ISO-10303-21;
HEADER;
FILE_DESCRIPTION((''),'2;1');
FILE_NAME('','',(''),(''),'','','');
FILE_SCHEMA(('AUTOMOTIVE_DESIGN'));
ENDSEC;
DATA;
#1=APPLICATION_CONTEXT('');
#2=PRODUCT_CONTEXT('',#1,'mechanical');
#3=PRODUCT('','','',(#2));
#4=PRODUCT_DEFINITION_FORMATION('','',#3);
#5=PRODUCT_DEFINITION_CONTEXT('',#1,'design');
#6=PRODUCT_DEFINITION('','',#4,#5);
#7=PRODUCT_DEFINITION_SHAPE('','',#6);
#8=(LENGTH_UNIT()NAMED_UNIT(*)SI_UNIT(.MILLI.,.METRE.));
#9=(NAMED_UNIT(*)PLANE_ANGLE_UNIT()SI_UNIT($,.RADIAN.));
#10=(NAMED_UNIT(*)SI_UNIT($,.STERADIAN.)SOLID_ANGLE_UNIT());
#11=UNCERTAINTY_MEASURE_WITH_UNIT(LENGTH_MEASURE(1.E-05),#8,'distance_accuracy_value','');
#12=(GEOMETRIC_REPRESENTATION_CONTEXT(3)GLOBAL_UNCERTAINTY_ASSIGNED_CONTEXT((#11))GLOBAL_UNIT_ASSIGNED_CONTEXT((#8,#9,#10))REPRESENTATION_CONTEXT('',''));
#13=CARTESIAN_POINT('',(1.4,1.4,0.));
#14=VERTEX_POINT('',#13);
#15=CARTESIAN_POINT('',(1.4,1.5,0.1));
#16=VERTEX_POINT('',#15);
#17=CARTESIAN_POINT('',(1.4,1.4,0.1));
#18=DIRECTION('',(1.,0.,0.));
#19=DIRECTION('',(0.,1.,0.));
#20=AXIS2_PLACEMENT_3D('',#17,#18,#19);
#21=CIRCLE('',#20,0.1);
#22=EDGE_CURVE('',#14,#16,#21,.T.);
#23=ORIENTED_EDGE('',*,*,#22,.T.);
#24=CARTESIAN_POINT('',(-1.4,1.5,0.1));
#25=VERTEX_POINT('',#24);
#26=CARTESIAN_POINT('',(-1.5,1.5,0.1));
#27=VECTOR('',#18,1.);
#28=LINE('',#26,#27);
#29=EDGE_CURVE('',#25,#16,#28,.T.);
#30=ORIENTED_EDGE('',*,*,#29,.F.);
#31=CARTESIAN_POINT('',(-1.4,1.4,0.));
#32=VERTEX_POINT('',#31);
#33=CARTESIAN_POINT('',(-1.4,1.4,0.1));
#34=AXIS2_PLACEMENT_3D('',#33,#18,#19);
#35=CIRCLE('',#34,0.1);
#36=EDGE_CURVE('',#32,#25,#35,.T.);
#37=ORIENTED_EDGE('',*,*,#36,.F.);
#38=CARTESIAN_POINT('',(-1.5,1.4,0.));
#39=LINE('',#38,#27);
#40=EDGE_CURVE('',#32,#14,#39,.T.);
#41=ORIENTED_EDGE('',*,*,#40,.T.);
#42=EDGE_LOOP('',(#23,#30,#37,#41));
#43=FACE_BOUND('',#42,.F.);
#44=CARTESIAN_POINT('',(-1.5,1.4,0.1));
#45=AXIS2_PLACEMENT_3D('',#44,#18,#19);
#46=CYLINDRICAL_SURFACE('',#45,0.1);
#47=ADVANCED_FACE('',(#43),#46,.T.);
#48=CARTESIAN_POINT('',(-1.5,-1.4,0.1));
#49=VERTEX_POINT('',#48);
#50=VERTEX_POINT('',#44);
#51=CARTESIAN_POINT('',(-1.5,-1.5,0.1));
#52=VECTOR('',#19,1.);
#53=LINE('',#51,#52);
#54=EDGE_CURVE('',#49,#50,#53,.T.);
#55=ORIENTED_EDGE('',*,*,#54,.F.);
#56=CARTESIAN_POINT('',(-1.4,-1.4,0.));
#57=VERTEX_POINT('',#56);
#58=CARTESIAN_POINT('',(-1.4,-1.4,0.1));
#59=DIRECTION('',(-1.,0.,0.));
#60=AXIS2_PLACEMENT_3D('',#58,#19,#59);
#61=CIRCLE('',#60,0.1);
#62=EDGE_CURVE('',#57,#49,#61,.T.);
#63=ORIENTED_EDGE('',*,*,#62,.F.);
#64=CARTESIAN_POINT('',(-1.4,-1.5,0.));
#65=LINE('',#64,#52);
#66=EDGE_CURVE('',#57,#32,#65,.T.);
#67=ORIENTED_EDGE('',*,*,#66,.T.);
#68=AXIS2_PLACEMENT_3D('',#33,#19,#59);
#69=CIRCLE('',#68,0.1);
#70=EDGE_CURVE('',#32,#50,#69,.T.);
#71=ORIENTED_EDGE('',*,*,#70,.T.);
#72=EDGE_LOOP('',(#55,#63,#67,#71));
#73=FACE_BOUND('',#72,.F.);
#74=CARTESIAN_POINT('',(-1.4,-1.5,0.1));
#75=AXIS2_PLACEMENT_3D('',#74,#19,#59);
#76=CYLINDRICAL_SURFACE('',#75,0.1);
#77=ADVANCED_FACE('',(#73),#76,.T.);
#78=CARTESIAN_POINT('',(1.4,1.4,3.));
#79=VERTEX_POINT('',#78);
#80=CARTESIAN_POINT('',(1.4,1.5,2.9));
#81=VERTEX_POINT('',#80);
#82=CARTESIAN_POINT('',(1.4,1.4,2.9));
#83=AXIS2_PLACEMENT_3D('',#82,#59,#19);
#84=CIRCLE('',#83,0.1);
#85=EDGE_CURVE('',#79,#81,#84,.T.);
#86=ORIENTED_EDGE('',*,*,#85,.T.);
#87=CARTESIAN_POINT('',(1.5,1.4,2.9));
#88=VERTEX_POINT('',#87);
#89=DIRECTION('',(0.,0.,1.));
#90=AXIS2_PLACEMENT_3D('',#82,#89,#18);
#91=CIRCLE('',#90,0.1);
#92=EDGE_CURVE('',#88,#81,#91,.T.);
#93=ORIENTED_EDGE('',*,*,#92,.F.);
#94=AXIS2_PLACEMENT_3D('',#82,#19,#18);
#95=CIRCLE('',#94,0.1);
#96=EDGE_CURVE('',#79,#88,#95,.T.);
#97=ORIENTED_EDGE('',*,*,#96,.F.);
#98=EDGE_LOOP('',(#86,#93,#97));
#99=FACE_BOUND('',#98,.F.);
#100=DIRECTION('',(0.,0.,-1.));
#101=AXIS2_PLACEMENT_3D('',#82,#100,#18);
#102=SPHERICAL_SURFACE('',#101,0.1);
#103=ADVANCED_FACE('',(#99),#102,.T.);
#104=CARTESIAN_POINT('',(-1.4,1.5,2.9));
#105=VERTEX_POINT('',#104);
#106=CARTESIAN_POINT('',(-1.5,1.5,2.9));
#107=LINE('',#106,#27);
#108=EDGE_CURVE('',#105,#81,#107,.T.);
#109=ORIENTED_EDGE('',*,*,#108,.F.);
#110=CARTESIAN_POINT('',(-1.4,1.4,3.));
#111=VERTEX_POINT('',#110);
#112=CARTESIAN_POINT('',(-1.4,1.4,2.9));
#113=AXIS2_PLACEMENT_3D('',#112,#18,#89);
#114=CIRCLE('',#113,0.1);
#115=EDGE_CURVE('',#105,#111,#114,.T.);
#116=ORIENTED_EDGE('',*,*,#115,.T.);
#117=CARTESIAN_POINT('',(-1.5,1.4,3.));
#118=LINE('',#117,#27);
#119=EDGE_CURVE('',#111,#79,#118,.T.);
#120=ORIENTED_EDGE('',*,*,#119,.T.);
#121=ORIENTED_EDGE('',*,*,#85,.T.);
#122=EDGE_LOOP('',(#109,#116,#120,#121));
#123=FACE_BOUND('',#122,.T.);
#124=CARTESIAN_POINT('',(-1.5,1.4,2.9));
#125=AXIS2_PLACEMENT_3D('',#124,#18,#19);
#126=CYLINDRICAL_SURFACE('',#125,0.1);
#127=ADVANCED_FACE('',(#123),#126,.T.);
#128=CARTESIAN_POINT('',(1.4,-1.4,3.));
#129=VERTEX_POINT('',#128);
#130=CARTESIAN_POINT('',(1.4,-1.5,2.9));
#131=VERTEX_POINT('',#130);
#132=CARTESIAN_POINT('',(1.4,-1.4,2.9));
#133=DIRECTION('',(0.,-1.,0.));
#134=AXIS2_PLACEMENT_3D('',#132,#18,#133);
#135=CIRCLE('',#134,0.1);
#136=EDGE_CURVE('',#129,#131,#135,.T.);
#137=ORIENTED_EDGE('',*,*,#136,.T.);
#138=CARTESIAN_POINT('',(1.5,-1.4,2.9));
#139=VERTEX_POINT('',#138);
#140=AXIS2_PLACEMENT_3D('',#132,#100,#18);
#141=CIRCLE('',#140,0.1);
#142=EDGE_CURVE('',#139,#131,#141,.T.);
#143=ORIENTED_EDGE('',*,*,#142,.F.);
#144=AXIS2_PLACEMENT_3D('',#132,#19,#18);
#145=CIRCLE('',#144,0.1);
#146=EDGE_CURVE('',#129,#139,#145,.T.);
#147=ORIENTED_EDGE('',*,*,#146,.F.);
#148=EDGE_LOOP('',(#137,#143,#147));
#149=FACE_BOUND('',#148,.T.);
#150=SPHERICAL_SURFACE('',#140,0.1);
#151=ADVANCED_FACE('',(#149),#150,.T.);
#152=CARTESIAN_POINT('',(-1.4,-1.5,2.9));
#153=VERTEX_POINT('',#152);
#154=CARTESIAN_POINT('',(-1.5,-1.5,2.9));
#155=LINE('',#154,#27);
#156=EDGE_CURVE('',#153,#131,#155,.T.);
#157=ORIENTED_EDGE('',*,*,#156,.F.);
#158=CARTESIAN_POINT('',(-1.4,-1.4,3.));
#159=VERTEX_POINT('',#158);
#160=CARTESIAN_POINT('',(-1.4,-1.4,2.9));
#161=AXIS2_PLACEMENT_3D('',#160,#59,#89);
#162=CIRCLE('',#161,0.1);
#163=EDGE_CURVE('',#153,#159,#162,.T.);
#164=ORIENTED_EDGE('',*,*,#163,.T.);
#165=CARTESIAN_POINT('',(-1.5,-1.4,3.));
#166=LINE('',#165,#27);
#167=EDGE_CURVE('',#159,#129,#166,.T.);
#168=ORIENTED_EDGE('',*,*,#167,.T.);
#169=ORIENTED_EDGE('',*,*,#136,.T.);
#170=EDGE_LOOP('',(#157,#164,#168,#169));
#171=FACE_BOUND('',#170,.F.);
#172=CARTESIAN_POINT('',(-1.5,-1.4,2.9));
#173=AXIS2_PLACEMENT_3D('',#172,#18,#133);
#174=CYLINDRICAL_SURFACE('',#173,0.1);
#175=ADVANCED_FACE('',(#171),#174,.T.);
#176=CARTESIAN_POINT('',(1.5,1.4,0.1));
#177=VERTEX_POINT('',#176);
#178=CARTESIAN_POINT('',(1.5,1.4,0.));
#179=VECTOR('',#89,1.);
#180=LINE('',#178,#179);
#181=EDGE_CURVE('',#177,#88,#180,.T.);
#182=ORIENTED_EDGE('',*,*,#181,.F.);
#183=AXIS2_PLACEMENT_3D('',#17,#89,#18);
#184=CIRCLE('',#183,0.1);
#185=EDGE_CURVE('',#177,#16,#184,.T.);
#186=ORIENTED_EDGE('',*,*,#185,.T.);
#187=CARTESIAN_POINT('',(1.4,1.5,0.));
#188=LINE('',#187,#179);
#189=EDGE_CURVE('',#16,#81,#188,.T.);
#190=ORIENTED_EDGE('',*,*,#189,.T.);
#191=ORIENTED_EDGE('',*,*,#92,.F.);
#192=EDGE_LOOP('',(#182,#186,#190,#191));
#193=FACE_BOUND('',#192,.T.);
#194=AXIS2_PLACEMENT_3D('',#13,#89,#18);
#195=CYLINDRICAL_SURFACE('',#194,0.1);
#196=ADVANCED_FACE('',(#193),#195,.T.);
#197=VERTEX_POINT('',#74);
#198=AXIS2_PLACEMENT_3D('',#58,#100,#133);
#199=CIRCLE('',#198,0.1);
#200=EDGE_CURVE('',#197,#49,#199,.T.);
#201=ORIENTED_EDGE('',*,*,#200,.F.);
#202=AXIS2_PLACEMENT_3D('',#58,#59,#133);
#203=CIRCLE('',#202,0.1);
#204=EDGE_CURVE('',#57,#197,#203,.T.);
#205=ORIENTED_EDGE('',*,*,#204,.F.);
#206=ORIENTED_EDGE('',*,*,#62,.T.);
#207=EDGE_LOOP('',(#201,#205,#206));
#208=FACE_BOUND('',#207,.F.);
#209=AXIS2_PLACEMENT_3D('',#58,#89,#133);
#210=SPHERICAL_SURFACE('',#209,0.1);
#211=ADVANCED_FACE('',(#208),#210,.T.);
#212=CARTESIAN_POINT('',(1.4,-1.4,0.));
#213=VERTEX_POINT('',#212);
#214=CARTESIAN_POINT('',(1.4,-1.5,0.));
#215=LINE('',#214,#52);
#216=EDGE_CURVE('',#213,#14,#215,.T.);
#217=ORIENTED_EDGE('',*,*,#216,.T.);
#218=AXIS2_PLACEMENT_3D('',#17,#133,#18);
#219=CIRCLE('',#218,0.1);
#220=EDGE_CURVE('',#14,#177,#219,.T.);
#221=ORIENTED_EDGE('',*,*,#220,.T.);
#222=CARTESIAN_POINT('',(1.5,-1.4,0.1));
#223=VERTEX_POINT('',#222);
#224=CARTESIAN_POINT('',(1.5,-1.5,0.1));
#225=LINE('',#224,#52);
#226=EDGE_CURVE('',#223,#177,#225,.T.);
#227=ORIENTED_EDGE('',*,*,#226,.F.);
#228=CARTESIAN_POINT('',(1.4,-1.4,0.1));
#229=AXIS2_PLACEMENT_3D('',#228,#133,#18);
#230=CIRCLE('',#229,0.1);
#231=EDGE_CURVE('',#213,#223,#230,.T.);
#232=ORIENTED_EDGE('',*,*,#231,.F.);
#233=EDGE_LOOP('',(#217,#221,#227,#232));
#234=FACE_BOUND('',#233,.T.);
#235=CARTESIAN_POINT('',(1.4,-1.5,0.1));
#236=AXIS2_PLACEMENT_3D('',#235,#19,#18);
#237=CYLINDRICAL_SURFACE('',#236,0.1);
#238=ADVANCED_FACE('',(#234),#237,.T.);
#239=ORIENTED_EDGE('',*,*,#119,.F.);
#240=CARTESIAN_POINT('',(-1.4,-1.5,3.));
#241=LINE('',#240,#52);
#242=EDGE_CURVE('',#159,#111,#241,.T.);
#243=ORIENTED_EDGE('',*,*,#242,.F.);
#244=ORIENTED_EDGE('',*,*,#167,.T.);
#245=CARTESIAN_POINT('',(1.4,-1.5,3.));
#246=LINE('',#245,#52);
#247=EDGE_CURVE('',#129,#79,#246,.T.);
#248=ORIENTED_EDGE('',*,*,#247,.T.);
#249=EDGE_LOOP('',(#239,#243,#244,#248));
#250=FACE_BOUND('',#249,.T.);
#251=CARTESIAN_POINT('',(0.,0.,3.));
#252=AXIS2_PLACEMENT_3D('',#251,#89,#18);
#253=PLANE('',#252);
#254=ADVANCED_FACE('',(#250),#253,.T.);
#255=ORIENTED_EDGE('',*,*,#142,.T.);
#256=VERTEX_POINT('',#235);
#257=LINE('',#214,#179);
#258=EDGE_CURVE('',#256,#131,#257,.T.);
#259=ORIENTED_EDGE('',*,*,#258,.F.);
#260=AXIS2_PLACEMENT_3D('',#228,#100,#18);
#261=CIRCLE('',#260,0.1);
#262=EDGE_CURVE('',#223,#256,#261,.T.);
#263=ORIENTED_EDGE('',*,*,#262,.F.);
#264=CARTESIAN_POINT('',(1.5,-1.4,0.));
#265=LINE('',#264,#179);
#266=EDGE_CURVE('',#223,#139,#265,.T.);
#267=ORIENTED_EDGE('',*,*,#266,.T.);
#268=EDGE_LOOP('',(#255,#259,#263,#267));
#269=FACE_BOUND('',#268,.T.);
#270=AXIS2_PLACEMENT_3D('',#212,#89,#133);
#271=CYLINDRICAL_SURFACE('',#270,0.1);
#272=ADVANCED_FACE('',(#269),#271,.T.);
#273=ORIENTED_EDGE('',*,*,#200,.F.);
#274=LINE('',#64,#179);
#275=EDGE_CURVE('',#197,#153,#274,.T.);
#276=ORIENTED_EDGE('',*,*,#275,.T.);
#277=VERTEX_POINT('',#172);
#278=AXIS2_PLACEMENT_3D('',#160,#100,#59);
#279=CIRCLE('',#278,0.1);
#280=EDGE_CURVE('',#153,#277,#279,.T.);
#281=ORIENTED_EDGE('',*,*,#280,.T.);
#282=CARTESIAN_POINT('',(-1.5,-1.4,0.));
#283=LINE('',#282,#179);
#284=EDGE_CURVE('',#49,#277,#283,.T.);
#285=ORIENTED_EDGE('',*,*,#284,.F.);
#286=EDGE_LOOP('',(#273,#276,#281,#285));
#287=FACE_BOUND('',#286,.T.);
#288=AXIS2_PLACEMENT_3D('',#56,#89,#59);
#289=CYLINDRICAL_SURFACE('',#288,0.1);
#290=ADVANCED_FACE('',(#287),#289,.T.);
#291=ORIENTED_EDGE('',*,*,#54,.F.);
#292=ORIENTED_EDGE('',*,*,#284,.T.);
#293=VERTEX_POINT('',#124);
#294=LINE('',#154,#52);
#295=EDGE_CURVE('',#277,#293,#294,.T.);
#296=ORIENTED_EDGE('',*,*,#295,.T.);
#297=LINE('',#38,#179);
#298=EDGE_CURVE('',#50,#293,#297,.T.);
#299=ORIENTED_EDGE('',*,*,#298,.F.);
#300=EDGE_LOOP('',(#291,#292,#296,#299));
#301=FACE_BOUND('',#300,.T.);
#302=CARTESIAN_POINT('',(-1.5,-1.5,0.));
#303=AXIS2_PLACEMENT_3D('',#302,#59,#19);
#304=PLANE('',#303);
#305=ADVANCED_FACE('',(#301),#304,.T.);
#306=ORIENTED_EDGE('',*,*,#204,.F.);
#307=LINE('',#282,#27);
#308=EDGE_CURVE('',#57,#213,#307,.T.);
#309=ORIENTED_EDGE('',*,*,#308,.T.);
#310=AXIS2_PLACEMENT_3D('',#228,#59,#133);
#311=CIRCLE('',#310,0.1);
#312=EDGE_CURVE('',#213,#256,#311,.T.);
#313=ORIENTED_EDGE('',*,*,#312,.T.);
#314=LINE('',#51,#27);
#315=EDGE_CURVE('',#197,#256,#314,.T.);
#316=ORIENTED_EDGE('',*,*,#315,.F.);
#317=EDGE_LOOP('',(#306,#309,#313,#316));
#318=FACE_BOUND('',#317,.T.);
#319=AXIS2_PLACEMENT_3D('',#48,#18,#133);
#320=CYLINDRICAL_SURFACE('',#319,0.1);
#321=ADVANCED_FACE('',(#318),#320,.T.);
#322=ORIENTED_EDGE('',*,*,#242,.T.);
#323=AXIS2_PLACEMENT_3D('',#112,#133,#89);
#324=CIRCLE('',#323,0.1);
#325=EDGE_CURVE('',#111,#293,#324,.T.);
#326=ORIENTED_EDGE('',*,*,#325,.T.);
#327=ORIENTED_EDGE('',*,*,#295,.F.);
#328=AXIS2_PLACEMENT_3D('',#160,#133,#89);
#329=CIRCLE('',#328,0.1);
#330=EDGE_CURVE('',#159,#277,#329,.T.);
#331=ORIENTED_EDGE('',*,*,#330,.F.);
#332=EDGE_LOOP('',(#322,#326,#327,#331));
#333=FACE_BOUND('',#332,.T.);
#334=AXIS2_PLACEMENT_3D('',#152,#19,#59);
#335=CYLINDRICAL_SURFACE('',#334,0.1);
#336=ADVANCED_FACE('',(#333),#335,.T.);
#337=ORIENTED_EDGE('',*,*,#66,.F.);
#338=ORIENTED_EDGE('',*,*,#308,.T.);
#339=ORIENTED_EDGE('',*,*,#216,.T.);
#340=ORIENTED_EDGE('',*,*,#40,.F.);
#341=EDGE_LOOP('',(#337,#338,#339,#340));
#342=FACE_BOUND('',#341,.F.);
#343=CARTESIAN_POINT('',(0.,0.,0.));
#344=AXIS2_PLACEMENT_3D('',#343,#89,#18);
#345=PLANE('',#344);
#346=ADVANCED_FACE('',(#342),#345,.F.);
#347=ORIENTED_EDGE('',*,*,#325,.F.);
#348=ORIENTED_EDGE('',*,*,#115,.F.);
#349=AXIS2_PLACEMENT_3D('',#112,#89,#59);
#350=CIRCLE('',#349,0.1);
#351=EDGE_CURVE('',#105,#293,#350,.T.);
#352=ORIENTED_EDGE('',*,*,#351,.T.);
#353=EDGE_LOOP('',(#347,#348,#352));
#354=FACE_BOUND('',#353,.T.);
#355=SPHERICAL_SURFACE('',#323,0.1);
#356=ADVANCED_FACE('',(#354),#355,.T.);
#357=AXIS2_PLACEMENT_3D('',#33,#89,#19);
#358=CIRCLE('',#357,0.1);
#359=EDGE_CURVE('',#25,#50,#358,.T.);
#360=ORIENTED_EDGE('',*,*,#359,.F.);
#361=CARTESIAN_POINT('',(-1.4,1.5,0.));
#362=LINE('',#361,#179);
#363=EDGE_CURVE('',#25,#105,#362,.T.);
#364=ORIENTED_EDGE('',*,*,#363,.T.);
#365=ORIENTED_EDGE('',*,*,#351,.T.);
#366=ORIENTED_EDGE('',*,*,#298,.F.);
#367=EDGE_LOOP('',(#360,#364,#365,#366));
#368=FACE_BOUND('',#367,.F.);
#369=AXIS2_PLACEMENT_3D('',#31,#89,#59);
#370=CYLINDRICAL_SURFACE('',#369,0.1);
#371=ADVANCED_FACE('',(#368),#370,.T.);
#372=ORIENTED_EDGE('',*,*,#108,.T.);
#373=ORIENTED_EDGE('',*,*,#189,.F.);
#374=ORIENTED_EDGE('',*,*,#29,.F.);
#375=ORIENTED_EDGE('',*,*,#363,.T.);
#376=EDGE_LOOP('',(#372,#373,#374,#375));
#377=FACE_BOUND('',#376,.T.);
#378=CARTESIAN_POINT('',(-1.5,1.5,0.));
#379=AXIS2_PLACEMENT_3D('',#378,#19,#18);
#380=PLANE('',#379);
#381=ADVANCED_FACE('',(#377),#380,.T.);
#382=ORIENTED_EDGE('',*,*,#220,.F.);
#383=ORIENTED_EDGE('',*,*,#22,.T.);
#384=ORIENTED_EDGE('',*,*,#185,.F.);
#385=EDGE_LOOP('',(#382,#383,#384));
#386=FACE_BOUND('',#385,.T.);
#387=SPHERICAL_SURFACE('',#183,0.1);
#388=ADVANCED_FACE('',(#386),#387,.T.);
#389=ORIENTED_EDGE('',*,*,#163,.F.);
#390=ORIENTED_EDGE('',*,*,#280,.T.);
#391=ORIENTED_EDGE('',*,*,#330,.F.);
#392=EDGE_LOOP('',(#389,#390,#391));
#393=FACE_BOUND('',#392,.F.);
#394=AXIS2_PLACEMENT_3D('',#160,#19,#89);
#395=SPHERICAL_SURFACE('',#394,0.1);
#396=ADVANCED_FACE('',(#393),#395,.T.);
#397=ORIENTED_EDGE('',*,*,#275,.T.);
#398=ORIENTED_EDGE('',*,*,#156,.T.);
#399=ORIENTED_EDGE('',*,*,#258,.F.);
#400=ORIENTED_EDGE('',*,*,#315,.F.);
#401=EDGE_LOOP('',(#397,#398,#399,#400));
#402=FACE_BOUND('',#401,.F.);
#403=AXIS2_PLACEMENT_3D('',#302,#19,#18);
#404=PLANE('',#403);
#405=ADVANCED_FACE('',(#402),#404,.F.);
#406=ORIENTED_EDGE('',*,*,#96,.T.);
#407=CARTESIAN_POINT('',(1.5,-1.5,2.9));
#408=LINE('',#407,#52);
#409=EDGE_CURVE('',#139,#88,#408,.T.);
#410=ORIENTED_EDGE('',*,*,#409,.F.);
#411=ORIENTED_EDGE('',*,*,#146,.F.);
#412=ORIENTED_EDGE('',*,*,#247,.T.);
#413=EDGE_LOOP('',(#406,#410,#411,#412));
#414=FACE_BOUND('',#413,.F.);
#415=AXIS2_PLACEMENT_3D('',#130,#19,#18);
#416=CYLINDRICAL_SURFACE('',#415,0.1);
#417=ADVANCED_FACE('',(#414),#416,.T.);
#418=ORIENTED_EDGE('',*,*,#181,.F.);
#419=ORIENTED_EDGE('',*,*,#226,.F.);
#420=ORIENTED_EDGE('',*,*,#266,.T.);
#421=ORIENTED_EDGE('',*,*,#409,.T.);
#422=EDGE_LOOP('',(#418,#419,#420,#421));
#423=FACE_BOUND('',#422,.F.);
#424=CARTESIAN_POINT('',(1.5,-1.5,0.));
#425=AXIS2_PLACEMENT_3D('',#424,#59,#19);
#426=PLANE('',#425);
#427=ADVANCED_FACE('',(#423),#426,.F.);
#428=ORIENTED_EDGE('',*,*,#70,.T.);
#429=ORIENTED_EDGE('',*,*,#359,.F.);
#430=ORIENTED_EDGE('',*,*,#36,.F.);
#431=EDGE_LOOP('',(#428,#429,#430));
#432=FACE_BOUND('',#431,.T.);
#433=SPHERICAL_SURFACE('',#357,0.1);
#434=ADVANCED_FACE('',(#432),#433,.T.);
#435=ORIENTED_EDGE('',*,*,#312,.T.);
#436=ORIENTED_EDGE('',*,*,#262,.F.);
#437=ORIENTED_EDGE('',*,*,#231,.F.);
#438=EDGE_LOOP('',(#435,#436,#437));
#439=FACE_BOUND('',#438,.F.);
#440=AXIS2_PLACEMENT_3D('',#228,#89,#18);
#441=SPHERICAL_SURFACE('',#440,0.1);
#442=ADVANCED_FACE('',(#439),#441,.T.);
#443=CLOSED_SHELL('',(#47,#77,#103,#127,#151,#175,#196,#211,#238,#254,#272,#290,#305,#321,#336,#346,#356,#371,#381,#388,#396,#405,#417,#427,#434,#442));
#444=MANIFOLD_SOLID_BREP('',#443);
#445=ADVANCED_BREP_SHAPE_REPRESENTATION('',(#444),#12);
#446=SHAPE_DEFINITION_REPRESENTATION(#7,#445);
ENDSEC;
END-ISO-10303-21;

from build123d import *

# Parameters (mm, degrees)
SKETCH_W  = 3
SKETCH_H  = 3
PAD_DEPTH = 3
FILLET_R  = 0.1


with BuildPart() as part:
    # Sketch → Pad (new body)
    with BuildSketch(Plane.XY):
        Rectangle(SKETCH_W, SKETCH_H)
    extrude(amount=PAD_DEPTH)

    # Fillet
    fillet_edges = [part.edges().sort_by_distance(p)[0] for p in [
        (1.5, -1.5, 1.5),
        (1.5, 1.5, 1.5),
        (1.5, 0, 0),
        (1.5, 0, 3),
        (-1.5, 0, 3),
        (0, -1.5, 3),
        (0, 1.5, 3),
        (-1.5, -1.5, 1.5),
        (0, -1.5, 0),
        (-1.5, 1.5, 1.5),
        (0, 1.5, 0),
        (-1.5, 0, 0),
    ]]
    fillet(fillet_edges, radius=FILLET_R)


solid = part.part
